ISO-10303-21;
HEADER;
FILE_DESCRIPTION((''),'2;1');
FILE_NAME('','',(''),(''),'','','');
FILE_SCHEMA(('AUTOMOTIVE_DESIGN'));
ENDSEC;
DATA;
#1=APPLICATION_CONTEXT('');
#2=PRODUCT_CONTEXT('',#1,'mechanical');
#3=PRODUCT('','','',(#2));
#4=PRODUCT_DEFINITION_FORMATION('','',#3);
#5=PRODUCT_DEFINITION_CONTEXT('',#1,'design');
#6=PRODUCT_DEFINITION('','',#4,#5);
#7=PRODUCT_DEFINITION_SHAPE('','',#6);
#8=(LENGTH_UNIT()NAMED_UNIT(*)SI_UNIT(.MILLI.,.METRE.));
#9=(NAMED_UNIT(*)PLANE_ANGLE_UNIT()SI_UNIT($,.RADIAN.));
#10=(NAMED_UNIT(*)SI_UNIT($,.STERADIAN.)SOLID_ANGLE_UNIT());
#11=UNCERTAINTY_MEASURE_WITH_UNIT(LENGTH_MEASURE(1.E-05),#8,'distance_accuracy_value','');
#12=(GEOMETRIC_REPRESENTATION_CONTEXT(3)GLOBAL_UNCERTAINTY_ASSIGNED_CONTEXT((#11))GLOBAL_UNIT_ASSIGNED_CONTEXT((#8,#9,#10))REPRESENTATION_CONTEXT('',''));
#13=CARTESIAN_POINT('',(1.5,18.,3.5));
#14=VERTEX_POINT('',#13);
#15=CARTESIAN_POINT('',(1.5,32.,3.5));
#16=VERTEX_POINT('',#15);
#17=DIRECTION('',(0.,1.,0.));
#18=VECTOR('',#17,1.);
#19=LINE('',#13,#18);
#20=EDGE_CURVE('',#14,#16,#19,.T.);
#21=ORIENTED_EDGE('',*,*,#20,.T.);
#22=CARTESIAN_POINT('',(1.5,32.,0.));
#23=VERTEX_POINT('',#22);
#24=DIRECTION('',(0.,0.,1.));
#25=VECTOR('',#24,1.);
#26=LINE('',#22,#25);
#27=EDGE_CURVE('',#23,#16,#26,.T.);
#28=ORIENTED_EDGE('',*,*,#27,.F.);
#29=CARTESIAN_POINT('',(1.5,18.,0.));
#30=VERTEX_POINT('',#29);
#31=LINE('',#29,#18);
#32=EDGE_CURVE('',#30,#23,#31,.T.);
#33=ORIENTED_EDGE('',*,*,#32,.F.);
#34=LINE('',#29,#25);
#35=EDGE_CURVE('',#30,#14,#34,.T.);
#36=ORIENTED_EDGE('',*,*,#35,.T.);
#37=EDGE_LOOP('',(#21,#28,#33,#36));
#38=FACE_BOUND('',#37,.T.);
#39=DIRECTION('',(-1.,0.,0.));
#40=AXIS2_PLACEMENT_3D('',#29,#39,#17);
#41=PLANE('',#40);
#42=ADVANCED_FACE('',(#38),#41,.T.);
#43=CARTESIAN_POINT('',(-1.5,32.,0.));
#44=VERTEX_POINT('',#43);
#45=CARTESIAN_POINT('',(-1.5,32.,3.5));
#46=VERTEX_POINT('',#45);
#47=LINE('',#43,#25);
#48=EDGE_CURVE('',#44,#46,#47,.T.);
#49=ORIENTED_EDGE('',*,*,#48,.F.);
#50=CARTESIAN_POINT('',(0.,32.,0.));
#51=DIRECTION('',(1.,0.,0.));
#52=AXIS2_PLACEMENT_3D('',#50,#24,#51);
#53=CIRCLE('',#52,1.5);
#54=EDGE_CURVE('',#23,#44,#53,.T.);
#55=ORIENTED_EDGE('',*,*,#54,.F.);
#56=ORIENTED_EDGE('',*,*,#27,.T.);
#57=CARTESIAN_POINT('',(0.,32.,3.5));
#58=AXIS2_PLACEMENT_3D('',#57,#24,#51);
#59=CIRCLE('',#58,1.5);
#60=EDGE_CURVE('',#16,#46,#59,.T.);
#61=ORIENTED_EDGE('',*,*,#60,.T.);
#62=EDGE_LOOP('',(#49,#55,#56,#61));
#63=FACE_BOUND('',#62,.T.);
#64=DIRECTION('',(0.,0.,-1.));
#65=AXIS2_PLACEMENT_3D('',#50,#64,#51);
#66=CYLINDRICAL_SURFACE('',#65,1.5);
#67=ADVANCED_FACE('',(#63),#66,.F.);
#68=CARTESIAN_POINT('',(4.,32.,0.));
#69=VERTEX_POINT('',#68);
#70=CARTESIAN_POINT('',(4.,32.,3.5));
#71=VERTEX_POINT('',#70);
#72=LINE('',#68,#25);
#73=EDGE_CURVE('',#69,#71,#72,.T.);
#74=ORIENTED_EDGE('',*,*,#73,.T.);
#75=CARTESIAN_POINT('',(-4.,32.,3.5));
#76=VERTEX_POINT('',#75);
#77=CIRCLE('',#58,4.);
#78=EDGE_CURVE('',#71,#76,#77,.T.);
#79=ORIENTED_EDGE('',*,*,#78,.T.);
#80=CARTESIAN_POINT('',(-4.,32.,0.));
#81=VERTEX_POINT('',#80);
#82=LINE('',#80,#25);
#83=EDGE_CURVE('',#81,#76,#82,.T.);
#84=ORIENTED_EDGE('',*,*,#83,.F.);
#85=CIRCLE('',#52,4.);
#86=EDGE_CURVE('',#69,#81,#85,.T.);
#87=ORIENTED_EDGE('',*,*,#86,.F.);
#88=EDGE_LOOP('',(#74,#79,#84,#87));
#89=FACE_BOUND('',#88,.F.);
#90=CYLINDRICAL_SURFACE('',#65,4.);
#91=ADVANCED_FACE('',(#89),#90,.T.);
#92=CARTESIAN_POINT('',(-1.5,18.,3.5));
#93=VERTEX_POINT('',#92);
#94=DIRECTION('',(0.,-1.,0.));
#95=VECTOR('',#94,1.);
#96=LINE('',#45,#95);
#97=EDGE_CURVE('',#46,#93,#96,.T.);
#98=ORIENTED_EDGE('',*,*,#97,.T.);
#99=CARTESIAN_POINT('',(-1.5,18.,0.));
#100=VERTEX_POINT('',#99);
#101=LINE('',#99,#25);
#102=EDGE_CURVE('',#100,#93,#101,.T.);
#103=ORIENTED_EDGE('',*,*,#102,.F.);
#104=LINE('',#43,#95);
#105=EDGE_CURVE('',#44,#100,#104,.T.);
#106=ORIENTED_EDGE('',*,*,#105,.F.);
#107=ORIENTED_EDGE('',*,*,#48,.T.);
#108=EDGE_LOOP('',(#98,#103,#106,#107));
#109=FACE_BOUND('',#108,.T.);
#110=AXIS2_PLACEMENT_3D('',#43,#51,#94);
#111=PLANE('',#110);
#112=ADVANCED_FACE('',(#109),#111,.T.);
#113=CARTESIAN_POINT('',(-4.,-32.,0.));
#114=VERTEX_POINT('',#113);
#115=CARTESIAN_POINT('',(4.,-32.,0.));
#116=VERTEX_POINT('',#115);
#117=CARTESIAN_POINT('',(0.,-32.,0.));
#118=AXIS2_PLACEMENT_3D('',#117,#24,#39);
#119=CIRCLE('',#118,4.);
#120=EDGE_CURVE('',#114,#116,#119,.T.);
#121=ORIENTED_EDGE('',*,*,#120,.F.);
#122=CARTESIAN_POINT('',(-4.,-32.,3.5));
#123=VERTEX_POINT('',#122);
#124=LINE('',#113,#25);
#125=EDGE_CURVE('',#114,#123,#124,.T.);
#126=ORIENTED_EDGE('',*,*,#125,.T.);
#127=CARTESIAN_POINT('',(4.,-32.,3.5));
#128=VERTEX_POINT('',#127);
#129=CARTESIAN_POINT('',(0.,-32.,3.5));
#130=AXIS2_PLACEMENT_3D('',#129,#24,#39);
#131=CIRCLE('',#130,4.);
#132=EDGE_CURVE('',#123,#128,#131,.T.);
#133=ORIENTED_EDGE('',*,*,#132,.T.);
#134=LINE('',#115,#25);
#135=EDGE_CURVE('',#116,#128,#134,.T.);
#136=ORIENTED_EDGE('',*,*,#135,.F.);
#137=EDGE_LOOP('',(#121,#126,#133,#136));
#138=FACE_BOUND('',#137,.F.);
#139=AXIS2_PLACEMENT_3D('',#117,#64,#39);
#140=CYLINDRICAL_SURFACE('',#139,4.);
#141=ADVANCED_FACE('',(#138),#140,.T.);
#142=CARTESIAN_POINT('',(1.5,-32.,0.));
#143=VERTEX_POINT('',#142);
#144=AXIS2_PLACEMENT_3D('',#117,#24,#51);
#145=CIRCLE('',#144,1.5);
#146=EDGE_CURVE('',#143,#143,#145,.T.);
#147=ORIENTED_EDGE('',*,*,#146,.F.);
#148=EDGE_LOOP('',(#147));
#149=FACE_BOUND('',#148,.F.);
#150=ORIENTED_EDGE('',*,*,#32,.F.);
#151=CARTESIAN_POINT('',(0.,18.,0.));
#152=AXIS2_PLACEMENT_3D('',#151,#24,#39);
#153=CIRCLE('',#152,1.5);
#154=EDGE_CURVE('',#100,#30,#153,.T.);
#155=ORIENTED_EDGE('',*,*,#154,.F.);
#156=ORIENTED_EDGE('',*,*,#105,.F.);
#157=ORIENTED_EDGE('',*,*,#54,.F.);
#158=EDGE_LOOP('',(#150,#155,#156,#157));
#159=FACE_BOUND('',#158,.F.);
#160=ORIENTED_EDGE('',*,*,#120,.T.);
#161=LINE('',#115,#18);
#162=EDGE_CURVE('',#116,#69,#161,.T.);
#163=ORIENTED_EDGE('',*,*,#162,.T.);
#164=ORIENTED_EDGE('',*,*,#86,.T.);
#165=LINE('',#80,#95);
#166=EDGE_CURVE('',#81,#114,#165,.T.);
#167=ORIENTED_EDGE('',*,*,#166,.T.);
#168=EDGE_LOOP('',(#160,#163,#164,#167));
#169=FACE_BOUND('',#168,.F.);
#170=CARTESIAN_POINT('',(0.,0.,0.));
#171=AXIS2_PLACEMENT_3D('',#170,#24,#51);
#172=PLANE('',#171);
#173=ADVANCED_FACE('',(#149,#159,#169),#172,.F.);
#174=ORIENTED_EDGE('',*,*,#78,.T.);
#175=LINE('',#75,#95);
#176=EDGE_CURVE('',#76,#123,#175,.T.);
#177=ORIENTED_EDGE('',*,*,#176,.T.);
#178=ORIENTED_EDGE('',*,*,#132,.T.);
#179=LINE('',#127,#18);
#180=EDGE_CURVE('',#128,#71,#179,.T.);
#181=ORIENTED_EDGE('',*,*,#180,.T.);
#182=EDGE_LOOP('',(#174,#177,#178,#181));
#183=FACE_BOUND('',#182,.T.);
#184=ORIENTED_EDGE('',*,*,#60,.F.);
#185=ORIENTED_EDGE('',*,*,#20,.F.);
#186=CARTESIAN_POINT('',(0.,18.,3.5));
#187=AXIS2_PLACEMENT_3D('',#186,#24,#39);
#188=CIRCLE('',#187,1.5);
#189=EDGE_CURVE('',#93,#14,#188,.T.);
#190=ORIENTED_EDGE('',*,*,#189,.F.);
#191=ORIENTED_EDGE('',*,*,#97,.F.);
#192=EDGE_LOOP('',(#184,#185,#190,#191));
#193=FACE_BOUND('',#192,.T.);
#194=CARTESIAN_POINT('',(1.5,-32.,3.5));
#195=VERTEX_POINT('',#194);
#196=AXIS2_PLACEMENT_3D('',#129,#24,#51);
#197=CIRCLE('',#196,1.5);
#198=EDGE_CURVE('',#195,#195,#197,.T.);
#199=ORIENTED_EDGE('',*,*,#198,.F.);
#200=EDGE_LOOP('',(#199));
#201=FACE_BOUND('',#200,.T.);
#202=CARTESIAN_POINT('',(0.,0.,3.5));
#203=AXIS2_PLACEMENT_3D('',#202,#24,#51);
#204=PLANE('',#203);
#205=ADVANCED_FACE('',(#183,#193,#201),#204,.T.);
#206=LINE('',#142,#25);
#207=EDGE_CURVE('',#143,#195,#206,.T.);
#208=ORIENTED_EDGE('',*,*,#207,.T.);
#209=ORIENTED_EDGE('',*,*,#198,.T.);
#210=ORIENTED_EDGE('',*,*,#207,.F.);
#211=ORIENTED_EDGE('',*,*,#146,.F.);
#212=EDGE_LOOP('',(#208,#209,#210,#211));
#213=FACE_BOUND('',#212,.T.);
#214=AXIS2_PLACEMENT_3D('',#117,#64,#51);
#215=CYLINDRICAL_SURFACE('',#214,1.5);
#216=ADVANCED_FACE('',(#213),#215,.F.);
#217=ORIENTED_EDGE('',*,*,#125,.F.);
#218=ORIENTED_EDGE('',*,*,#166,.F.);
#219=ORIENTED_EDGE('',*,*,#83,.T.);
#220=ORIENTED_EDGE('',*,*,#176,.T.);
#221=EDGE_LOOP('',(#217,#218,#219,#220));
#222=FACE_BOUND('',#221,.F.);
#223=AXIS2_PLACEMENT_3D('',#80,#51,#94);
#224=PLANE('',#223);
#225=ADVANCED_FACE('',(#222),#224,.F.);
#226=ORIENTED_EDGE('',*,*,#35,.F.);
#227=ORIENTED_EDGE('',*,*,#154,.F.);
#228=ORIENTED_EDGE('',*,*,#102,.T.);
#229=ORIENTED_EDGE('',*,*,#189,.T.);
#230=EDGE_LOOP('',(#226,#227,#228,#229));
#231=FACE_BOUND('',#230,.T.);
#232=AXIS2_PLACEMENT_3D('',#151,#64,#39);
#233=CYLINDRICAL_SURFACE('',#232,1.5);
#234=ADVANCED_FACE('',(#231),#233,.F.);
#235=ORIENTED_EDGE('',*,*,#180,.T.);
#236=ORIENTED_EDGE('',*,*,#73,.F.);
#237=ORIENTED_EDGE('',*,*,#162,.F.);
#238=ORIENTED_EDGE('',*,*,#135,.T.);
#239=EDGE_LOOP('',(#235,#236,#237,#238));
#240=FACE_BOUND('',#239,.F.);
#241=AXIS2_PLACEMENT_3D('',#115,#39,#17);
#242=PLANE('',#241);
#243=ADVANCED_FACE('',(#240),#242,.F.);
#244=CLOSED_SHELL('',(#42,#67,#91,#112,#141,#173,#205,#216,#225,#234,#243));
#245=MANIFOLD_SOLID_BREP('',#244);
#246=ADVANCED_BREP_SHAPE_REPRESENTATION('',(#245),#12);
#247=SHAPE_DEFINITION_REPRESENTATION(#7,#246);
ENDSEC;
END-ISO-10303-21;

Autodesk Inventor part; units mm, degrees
ref_plane "YZ Plane" through (0, 0, 0) normal (1, 0, 0) x (0, 1, 0)
ref_plane "XZ Plane" through (0, 0, 0) normal (0, 1, 0) x (-1, 0, 0)
ref_plane "XY Plane" through (0, 0, 0) normal (0, 0, 1) x (1, 0, 0)
sketch "Sketch1" plane through (0, 0, 0) normal (0, 0, 1) x (1, 0, 0)
  line L0 (0, 32) -> (0, -32) construction
  line L1 (-4, 32) -> (-4, -32)
  line L2 (4, -32) -> (4, 32)
  arc A0 (4, 32) -> (-4, 32) centre (0, 32) ccw
  arc A1 (-4, -32) -> (4, -32) centre (0, -32) ccw
  circle A2 centre (0, -32) radius 1.5
  line L3 (0, 18) -> (0, 32) construction
  line L4 (1.5, 18) -> (1.5, 32)
  line L5 (-1.5, 32) -> (-1.5, 18)
  arc A3 (-1.5, 18) -> (1.5, 18) centre (0, 18) ccw
  arc A4 (1.5, 32) -> (-1.5, 32) centre (0, 32) ccw
  point P0 (0, 0)
  point P1 (0, 25)
  dimension "d0" = 32
  dimension "d1" = 8
  dimension "d2" = 3
  dimension "d3" = 7
  dimension "d4" = 3
  dimension "d5" = 7
extrude "Extrusion1" add sketch "Sketch1" along normal blind 3.5
properties part number "3DP_PLA_Part_Detector_Mounting_Bracket" material "ABS Plastic"
